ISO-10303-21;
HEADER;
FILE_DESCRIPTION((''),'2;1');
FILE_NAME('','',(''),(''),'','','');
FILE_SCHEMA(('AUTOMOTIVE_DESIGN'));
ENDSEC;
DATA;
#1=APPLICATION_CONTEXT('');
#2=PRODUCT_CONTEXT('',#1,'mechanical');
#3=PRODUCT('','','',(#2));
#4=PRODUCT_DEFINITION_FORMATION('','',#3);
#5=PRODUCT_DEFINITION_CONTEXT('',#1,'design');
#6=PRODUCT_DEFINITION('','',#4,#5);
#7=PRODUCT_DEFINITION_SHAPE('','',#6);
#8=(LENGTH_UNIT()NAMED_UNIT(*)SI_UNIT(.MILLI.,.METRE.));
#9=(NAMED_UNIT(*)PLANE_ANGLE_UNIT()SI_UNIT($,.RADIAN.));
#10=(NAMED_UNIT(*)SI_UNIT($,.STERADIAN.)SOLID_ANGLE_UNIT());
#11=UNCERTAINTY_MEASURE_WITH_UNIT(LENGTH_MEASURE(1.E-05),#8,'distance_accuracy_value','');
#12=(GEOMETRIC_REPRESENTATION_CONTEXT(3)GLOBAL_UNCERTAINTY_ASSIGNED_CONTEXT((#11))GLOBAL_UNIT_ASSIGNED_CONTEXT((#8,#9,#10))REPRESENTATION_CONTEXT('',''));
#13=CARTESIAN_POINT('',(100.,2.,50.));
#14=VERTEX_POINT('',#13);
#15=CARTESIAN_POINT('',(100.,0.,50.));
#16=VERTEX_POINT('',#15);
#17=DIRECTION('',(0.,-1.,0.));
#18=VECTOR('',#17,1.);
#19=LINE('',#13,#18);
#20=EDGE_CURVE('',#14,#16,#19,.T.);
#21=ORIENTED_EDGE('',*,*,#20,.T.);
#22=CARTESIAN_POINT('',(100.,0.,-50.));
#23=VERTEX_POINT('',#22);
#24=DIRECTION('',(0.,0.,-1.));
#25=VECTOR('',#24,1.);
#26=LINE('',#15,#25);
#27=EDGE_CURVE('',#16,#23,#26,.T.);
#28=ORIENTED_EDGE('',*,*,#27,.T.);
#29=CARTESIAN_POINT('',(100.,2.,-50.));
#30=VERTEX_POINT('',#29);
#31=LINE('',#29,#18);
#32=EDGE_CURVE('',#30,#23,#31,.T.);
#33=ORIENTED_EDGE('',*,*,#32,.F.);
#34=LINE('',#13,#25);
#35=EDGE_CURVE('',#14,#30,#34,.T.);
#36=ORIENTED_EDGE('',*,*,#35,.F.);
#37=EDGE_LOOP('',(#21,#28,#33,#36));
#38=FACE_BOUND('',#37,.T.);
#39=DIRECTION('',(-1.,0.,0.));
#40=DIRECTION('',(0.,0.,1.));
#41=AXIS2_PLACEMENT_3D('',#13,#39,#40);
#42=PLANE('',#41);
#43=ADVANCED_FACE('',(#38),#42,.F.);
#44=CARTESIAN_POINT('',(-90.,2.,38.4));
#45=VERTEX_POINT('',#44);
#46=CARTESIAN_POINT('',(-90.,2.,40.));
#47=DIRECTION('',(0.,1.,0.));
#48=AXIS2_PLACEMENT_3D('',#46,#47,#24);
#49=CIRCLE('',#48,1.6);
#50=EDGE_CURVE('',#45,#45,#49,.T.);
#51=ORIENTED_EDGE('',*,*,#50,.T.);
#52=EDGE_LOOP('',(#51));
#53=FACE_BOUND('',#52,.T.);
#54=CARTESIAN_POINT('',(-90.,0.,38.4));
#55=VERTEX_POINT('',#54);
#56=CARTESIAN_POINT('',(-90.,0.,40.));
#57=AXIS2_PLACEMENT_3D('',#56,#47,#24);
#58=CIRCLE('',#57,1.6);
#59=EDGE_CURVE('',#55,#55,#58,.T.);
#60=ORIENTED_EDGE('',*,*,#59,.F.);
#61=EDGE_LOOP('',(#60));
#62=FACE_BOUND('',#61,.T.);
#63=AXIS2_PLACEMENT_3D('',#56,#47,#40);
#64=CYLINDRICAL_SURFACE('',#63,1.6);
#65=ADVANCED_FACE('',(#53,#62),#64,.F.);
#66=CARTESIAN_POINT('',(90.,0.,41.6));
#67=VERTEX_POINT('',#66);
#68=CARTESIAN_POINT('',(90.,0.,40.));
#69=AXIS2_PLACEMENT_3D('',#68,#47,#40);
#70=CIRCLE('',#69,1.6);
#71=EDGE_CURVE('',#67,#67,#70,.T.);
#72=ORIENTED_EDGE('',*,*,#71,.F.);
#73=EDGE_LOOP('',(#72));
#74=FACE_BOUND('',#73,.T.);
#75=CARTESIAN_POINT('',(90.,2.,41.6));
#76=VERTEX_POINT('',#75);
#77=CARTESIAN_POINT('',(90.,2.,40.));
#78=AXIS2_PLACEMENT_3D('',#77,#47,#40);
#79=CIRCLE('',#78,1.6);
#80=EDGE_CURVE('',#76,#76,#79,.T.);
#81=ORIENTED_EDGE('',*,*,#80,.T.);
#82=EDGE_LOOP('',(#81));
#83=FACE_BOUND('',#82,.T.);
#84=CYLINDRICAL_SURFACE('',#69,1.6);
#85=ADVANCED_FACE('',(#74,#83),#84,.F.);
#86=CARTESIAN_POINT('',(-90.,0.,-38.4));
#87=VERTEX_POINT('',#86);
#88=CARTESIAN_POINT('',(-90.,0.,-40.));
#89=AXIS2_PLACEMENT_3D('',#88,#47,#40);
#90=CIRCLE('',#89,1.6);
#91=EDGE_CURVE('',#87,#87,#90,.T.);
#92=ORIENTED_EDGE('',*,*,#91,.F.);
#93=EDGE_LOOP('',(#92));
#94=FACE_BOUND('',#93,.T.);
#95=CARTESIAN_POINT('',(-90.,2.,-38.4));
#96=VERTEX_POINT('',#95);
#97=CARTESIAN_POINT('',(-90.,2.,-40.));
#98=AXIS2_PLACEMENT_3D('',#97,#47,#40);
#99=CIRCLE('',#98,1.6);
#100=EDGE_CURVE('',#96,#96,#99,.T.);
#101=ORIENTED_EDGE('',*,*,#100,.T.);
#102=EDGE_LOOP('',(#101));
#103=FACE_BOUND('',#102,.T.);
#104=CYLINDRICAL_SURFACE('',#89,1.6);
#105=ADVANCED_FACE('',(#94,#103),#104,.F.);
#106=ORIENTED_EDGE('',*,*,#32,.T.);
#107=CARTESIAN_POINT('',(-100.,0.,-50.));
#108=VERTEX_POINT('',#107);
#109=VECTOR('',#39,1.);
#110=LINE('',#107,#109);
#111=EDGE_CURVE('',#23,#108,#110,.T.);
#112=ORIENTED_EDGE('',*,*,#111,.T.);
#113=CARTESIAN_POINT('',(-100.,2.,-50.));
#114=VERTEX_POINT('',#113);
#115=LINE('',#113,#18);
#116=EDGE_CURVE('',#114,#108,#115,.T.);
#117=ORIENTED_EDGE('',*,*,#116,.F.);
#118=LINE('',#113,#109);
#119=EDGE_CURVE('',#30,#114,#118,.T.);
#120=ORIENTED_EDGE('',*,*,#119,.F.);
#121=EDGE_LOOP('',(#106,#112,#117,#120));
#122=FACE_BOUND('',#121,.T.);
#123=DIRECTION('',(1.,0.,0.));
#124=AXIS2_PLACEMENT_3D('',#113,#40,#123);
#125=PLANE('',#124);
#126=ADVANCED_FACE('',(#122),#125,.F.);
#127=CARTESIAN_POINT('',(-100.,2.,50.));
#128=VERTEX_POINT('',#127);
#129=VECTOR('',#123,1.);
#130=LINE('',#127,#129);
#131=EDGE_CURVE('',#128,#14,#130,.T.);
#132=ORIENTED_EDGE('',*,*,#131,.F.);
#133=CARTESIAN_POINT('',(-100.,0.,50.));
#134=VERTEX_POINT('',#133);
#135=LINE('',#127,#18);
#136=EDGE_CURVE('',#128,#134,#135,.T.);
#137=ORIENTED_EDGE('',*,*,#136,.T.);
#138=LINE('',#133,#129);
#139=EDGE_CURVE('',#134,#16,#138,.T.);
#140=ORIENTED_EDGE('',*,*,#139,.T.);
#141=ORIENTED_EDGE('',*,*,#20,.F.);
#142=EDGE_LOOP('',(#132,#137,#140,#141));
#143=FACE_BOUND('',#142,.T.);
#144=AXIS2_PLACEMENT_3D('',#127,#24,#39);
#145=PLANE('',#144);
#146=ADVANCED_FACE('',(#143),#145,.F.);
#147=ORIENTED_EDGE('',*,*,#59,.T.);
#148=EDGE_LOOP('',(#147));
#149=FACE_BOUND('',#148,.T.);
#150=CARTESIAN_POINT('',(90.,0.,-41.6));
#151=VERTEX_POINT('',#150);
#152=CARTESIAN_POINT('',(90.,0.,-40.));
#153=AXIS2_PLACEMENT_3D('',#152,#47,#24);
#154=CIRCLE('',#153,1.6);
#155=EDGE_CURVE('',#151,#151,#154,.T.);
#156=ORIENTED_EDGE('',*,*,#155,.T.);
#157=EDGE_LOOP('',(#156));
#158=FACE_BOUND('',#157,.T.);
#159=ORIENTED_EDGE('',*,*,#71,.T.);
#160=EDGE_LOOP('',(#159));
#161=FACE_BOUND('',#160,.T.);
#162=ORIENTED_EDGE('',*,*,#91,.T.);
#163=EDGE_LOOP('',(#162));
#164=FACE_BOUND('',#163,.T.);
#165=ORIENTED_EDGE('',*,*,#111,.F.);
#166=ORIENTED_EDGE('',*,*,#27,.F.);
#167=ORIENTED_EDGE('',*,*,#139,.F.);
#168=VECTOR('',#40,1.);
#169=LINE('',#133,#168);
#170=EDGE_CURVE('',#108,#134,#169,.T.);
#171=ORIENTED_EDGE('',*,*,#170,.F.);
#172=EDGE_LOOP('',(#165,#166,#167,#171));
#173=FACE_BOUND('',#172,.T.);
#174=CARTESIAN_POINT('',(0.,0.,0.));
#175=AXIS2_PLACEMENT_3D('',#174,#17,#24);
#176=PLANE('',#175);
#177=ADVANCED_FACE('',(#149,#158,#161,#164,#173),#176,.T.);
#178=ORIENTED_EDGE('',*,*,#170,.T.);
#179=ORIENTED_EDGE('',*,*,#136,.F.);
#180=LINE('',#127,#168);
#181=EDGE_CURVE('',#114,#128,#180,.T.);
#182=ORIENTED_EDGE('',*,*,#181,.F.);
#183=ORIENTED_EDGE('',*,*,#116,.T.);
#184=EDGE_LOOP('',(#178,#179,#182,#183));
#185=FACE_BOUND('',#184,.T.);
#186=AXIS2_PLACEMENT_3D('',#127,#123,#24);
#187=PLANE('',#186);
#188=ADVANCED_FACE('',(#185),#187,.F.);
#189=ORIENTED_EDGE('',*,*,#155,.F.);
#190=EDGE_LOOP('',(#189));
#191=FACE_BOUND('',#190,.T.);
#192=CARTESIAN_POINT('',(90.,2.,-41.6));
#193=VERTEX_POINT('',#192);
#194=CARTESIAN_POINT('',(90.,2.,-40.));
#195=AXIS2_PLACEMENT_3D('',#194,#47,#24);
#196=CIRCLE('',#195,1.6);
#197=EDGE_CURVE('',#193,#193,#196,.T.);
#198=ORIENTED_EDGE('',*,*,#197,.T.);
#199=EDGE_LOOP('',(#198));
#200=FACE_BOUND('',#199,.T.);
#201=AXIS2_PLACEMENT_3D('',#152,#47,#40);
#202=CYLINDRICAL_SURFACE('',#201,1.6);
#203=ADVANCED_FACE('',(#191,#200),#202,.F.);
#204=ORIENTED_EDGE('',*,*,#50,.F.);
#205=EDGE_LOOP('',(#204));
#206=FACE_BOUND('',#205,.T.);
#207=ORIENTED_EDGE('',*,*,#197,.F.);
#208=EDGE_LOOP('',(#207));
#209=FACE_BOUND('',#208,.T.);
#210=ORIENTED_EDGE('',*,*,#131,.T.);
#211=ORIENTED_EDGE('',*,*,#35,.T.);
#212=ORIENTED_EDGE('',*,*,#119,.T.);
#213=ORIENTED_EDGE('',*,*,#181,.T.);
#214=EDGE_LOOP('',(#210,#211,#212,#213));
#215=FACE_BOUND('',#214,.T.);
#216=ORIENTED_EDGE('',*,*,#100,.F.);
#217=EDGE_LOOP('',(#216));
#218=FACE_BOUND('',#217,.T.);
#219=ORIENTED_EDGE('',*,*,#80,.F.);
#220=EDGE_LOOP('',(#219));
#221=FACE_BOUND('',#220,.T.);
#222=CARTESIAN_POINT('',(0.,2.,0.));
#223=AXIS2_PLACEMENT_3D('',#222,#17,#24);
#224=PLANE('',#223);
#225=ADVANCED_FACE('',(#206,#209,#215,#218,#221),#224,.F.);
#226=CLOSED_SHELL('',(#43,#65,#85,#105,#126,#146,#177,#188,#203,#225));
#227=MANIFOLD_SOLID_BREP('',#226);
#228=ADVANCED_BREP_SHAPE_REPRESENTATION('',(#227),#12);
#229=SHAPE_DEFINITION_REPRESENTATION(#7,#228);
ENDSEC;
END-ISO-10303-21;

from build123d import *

# Parameters (mm, degrees)
SKETCH_1_W          = 200
SKETCH_1_H          = 100
EXTRUDE_1_DEPTH     = 2
SKETCH_2_R          = 1.6
CUT_EXTRUDE_1_DEPTH = 112.821285988


with BuildPart() as part:
    # 草图1 → 凸台-拉伸1 (new body)
    with BuildSketch(Plane(origin=(0, 0, 0), x_dir=(1, 0, 0), z_dir=(0, 1, 0))):
        Rectangle(SKETCH_1_W, SKETCH_1_H)
    extrude(amount=EXTRUDE_1_DEPTH)

    # 草图2 → 切除-拉伸1 (cut, through all)
    with BuildSketch(Plane(origin=(0, 2, 0), x_dir=(1, 0, 0), z_dir=(0, 1, 0))):
        with Locations(Location((-90, 40, 0), (0, 0, 270))):
            Circle(SKETCH_2_R)
        with Locations(Location((90, 40, 0), (0, 0, 90))):
            Circle(SKETCH_2_R)
        with Locations(Location((90, -40, 0), (0, 0, 270))):
            Circle(SKETCH_2_R)
        with Locations(Location((-90, -40, 0), (0, 0, 90))):
            Circle(SKETCH_2_R)
    extrude(amount=-CUT_EXTRUDE_1_DEPTH, mode=Mode.SUBTRACT)


solid = part.part
